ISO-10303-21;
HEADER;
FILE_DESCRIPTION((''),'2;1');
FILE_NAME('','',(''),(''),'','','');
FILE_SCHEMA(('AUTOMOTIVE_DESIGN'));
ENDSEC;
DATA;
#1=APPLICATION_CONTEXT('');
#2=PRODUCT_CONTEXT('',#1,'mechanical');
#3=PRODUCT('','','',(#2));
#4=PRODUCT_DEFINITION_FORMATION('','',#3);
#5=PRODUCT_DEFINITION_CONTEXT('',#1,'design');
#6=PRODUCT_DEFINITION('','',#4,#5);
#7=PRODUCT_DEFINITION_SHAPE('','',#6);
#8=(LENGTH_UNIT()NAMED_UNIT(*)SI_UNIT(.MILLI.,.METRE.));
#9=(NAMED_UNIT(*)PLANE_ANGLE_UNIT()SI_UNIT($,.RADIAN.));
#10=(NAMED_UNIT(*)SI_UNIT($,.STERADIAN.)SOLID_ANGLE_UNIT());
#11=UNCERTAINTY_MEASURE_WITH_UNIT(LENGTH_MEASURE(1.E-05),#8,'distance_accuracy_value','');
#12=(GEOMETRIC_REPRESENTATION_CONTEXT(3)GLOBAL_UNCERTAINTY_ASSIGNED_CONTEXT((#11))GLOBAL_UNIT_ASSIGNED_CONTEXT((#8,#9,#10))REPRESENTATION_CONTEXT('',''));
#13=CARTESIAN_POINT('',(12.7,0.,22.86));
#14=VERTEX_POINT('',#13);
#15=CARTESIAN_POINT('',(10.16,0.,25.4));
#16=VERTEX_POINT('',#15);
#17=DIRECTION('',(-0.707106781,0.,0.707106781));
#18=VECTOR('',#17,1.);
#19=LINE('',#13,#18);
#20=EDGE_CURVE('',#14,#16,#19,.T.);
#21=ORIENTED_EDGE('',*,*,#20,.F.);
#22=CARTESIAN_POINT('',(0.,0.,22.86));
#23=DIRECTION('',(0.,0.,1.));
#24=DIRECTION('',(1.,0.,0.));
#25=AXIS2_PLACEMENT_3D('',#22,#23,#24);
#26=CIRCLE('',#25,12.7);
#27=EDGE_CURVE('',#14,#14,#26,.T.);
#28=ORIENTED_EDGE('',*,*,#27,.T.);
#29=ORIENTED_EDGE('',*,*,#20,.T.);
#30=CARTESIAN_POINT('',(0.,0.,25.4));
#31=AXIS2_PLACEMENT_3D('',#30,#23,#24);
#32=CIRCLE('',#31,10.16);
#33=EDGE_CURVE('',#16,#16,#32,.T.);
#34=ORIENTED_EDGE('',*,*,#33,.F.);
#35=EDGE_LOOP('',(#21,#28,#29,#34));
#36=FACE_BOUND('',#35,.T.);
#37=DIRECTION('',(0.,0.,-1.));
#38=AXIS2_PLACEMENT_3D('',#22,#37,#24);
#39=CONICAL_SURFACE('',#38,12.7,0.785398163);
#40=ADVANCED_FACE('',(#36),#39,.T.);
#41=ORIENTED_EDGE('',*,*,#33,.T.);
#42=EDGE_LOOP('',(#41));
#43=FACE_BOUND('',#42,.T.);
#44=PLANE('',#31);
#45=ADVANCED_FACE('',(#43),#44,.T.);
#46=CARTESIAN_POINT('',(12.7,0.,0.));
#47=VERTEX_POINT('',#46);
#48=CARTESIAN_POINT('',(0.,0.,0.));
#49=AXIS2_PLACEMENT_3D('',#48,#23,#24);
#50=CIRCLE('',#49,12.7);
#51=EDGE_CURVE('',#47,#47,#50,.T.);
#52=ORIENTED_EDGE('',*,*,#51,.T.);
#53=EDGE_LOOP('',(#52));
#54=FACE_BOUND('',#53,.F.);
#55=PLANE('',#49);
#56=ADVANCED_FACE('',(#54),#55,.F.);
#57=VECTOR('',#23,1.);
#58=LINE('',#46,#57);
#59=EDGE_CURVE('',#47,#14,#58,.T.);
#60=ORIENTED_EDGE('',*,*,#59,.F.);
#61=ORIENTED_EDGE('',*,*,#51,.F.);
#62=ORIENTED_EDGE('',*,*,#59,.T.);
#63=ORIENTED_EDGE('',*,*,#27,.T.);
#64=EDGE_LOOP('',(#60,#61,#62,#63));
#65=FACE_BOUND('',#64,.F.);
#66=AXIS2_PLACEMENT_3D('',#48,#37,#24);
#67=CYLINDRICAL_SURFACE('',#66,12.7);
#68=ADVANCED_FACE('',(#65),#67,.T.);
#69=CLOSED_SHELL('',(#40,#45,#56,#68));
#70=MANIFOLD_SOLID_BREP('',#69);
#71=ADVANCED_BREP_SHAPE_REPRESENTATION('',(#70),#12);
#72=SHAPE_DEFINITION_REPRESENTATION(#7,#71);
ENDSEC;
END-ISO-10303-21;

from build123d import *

# Parameters (mm, degrees)
F0_R     = 12.7
F1_DEPTH = 25.4
F2_SIZE2 = 2.54
F2_SIZE  = 2.54


with BuildPart() as f1:
    # F0 (on Top) → F1 (new body)
    with BuildSketch(Plane.XY):
        Circle(F0_R)
    extrude(amount=F1_DEPTH)

    # F2
    f2_edges = [f1.edges().sort_by_distance(p)[0] for p in [
        (-12.7, 0, 25.4),
    ]]
    chamfer(f2_edges, length=F2_SIZE, length2=F2_SIZE2)


solid = f1.part
